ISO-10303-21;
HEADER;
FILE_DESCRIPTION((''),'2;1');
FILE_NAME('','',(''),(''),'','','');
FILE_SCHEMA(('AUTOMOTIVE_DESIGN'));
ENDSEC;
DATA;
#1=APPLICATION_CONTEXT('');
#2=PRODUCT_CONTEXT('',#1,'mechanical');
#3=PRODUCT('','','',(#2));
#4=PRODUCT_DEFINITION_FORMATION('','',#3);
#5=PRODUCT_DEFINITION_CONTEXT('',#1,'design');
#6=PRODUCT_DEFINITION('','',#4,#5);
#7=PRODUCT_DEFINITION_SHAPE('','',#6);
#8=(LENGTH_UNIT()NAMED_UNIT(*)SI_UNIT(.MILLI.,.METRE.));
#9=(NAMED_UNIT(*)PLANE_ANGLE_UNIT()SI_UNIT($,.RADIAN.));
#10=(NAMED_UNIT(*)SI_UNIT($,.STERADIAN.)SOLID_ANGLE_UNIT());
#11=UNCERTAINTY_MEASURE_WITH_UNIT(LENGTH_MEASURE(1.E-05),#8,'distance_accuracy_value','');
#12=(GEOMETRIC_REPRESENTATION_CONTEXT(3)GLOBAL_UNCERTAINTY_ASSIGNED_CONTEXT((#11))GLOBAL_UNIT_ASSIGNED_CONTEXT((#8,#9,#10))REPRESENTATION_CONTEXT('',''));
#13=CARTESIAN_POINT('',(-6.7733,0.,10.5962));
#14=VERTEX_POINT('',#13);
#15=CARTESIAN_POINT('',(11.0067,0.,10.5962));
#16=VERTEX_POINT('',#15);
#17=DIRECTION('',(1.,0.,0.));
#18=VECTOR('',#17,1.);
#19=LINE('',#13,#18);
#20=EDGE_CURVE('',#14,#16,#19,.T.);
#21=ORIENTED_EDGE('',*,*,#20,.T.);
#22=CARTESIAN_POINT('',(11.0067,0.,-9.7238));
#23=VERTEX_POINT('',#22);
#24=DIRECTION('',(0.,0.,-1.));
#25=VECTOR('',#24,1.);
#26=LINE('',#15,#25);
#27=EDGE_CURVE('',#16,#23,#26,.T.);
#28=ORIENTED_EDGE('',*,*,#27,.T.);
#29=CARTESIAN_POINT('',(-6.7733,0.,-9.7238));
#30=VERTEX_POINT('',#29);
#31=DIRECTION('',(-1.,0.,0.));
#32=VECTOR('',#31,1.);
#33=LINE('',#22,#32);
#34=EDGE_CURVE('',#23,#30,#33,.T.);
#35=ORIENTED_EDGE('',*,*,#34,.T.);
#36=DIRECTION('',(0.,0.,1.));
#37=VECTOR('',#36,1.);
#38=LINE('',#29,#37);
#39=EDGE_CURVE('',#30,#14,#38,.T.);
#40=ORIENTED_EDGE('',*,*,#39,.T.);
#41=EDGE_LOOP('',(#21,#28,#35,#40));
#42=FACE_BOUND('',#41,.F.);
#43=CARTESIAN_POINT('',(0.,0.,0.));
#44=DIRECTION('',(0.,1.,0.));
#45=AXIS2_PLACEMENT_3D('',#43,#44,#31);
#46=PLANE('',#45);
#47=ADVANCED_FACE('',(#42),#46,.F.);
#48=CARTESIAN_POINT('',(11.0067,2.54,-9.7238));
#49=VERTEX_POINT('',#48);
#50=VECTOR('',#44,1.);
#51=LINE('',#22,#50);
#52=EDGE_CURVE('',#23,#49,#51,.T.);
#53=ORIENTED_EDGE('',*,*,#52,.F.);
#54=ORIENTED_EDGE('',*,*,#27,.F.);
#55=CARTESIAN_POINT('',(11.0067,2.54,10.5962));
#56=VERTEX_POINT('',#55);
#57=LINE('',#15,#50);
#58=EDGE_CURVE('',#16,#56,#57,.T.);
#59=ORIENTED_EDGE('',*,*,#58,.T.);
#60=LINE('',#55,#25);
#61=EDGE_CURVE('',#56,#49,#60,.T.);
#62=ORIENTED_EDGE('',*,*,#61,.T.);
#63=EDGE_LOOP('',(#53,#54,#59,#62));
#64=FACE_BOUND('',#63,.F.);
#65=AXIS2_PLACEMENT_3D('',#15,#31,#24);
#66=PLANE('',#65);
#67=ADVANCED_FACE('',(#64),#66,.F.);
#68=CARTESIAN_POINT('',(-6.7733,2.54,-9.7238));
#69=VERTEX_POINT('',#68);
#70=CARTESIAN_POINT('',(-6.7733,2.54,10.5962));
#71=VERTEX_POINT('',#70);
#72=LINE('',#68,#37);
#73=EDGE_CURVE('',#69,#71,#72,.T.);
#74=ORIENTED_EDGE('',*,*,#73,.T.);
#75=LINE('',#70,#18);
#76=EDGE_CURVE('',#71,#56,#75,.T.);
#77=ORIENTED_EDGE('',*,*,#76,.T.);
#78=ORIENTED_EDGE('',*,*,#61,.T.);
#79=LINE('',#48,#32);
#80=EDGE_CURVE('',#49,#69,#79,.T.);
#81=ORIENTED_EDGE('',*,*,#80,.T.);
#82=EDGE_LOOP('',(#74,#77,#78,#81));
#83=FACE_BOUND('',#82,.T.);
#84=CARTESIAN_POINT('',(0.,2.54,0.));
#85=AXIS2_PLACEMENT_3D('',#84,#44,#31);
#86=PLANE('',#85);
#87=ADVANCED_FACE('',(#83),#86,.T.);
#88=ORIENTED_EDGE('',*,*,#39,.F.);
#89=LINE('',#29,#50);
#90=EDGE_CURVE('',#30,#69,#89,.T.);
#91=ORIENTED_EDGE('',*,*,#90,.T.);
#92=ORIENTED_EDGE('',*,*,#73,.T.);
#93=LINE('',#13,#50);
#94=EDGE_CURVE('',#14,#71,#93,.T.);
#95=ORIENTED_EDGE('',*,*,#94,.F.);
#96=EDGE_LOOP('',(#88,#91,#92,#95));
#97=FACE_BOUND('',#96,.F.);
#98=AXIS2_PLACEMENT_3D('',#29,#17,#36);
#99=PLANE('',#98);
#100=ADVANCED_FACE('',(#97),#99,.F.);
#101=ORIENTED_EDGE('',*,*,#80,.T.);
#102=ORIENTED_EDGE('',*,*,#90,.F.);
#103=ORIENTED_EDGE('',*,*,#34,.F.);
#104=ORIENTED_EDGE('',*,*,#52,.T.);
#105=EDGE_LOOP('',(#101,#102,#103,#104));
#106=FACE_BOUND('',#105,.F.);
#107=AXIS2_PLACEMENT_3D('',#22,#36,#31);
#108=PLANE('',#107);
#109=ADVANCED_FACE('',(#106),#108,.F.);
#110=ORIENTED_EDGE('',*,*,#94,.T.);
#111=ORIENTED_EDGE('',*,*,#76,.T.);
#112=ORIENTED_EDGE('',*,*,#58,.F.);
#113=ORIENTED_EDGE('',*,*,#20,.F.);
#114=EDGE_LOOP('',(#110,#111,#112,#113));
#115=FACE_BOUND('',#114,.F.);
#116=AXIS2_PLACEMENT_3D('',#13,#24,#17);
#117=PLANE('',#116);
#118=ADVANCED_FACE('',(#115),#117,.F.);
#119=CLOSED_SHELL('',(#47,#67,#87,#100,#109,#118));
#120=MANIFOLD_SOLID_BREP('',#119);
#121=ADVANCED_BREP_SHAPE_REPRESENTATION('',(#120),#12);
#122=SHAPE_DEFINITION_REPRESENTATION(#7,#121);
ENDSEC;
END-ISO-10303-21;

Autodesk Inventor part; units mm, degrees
ref_plane "YZ Plane" through (0, 0, 0) normal (1, 0, 0) x (0, 1, 0)
ref_plane "XZ Plane" through (0, 0, 0) normal (0, 1, 0) x (-1, 0, 0)
ref_plane "XY Plane" through (0, 0, 0) normal (0, 0, 1) x (1, 0, 0)
sketch "Sketch1" plane through (0, 0, 0) normal (0, 1, 0) x (-1, 0, 0)
  line L0 (6.7733, 10.5962) -> (-11.0067, 10.5962)
  line L1 (-11.0067, 10.5962) -> (-11.0067, -9.7238)
  line L2 (-11.0067, -9.7238) -> (6.7733, -9.7238)
  line L3 (6.7733, -9.7238) -> (6.7733, 10.5962)
  point P0 (0, 0)
  dimension "d0" = 20.32
  dimension "d1" = 17.78
extrude "Extrusion1" add sketch "Sketch1" along normal blind 2.54
properties part number "ToF Sensor"
